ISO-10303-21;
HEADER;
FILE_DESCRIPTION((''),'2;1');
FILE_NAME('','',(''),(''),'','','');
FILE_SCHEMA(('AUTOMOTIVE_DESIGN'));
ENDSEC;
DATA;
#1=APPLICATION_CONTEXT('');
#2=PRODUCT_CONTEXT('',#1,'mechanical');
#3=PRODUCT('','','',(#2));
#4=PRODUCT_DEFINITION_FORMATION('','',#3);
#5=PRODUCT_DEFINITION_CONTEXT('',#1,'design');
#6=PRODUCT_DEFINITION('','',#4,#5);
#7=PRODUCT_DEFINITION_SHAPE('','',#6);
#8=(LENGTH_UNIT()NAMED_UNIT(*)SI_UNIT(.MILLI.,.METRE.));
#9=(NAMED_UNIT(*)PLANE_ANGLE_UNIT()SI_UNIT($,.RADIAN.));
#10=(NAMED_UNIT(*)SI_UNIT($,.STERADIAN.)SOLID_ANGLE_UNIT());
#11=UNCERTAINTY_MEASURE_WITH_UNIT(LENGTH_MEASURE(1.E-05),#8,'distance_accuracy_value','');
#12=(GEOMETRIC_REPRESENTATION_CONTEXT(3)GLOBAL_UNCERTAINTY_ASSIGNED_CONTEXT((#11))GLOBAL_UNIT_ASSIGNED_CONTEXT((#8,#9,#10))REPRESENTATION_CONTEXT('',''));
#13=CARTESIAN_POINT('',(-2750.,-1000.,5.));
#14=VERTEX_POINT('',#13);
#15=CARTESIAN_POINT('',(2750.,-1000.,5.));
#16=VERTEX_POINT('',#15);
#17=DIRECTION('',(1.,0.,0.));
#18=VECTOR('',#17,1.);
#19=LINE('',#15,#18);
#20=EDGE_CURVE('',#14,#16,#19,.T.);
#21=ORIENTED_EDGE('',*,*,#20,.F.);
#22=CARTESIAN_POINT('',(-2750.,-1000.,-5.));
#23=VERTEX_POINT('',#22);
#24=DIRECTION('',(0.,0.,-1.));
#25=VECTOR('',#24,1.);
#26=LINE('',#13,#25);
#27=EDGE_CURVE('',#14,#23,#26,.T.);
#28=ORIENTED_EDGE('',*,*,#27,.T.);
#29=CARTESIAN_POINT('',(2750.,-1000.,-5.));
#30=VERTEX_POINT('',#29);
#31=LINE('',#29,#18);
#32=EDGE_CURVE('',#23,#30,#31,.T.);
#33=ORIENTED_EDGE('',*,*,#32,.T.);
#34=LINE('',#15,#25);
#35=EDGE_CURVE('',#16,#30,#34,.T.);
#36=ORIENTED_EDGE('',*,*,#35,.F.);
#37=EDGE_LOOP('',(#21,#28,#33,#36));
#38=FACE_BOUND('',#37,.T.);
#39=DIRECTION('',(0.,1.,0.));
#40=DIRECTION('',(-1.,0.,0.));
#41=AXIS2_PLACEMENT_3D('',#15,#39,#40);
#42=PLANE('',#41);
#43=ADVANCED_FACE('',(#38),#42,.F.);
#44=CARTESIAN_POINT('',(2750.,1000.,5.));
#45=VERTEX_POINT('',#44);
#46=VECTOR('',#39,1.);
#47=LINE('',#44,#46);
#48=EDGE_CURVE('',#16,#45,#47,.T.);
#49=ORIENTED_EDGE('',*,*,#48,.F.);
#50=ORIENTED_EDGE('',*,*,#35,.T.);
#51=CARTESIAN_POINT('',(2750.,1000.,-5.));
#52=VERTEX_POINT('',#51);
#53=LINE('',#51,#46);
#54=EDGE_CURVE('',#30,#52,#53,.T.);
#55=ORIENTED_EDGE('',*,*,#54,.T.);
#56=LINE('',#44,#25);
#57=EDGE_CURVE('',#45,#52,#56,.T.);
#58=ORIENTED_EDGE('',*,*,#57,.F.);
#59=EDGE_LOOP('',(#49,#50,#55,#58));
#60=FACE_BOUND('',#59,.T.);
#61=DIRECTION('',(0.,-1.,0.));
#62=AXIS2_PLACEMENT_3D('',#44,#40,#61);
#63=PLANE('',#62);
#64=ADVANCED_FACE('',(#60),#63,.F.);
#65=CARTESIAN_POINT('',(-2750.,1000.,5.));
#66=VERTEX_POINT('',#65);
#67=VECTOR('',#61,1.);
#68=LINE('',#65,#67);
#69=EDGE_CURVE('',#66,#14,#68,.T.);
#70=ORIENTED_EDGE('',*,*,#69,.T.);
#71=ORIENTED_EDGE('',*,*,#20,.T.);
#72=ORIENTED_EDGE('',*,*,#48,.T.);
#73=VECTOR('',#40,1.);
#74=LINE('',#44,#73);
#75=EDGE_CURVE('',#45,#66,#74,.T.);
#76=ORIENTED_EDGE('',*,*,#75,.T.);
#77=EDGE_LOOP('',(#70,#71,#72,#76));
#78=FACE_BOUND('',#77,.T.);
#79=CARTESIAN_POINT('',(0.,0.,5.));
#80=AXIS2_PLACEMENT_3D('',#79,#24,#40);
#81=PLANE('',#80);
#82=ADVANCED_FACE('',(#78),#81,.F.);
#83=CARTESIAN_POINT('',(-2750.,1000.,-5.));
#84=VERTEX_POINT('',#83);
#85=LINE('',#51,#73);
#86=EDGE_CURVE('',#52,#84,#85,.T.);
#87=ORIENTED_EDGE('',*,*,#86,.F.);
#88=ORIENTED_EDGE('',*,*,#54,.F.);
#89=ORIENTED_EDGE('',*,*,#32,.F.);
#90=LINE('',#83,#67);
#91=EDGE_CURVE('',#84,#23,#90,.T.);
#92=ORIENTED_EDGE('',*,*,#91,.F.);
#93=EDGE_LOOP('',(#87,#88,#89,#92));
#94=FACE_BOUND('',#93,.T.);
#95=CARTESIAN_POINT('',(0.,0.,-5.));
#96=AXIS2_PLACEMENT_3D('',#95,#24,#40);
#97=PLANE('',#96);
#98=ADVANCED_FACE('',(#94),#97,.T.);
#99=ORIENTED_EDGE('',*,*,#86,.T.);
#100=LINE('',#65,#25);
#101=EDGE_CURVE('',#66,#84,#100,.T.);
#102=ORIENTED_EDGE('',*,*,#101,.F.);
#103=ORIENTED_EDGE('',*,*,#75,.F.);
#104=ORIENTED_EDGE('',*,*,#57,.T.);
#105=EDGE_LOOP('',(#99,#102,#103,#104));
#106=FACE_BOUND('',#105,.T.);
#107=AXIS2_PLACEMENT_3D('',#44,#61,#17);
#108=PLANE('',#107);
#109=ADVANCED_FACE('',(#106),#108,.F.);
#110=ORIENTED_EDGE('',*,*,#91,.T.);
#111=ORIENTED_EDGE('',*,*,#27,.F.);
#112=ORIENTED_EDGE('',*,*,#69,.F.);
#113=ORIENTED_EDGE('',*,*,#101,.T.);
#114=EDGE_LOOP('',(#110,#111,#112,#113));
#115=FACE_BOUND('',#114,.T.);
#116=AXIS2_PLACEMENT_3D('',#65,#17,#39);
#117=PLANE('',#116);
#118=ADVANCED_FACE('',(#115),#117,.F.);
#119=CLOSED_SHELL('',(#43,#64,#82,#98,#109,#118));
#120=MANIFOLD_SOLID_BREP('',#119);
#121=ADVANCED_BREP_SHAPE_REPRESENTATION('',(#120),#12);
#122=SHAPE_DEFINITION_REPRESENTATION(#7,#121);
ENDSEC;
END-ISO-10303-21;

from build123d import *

# Parameters (mm, degrees)
SKETCH1_W           = 5500
SKETCH1_H           = 2000
BOSS_EXTRUDE1_DEPTH = 5


with BuildPart() as part:
    # Sketch1 → Boss-Extrude1 (new, symmetric)
    with BuildSketch(Plane.XY):
        Rectangle(SKETCH1_W, SKETCH1_H)
    extrude(amount=BOSS_EXTRUDE1_DEPTH, both=True)


solid = part.part
